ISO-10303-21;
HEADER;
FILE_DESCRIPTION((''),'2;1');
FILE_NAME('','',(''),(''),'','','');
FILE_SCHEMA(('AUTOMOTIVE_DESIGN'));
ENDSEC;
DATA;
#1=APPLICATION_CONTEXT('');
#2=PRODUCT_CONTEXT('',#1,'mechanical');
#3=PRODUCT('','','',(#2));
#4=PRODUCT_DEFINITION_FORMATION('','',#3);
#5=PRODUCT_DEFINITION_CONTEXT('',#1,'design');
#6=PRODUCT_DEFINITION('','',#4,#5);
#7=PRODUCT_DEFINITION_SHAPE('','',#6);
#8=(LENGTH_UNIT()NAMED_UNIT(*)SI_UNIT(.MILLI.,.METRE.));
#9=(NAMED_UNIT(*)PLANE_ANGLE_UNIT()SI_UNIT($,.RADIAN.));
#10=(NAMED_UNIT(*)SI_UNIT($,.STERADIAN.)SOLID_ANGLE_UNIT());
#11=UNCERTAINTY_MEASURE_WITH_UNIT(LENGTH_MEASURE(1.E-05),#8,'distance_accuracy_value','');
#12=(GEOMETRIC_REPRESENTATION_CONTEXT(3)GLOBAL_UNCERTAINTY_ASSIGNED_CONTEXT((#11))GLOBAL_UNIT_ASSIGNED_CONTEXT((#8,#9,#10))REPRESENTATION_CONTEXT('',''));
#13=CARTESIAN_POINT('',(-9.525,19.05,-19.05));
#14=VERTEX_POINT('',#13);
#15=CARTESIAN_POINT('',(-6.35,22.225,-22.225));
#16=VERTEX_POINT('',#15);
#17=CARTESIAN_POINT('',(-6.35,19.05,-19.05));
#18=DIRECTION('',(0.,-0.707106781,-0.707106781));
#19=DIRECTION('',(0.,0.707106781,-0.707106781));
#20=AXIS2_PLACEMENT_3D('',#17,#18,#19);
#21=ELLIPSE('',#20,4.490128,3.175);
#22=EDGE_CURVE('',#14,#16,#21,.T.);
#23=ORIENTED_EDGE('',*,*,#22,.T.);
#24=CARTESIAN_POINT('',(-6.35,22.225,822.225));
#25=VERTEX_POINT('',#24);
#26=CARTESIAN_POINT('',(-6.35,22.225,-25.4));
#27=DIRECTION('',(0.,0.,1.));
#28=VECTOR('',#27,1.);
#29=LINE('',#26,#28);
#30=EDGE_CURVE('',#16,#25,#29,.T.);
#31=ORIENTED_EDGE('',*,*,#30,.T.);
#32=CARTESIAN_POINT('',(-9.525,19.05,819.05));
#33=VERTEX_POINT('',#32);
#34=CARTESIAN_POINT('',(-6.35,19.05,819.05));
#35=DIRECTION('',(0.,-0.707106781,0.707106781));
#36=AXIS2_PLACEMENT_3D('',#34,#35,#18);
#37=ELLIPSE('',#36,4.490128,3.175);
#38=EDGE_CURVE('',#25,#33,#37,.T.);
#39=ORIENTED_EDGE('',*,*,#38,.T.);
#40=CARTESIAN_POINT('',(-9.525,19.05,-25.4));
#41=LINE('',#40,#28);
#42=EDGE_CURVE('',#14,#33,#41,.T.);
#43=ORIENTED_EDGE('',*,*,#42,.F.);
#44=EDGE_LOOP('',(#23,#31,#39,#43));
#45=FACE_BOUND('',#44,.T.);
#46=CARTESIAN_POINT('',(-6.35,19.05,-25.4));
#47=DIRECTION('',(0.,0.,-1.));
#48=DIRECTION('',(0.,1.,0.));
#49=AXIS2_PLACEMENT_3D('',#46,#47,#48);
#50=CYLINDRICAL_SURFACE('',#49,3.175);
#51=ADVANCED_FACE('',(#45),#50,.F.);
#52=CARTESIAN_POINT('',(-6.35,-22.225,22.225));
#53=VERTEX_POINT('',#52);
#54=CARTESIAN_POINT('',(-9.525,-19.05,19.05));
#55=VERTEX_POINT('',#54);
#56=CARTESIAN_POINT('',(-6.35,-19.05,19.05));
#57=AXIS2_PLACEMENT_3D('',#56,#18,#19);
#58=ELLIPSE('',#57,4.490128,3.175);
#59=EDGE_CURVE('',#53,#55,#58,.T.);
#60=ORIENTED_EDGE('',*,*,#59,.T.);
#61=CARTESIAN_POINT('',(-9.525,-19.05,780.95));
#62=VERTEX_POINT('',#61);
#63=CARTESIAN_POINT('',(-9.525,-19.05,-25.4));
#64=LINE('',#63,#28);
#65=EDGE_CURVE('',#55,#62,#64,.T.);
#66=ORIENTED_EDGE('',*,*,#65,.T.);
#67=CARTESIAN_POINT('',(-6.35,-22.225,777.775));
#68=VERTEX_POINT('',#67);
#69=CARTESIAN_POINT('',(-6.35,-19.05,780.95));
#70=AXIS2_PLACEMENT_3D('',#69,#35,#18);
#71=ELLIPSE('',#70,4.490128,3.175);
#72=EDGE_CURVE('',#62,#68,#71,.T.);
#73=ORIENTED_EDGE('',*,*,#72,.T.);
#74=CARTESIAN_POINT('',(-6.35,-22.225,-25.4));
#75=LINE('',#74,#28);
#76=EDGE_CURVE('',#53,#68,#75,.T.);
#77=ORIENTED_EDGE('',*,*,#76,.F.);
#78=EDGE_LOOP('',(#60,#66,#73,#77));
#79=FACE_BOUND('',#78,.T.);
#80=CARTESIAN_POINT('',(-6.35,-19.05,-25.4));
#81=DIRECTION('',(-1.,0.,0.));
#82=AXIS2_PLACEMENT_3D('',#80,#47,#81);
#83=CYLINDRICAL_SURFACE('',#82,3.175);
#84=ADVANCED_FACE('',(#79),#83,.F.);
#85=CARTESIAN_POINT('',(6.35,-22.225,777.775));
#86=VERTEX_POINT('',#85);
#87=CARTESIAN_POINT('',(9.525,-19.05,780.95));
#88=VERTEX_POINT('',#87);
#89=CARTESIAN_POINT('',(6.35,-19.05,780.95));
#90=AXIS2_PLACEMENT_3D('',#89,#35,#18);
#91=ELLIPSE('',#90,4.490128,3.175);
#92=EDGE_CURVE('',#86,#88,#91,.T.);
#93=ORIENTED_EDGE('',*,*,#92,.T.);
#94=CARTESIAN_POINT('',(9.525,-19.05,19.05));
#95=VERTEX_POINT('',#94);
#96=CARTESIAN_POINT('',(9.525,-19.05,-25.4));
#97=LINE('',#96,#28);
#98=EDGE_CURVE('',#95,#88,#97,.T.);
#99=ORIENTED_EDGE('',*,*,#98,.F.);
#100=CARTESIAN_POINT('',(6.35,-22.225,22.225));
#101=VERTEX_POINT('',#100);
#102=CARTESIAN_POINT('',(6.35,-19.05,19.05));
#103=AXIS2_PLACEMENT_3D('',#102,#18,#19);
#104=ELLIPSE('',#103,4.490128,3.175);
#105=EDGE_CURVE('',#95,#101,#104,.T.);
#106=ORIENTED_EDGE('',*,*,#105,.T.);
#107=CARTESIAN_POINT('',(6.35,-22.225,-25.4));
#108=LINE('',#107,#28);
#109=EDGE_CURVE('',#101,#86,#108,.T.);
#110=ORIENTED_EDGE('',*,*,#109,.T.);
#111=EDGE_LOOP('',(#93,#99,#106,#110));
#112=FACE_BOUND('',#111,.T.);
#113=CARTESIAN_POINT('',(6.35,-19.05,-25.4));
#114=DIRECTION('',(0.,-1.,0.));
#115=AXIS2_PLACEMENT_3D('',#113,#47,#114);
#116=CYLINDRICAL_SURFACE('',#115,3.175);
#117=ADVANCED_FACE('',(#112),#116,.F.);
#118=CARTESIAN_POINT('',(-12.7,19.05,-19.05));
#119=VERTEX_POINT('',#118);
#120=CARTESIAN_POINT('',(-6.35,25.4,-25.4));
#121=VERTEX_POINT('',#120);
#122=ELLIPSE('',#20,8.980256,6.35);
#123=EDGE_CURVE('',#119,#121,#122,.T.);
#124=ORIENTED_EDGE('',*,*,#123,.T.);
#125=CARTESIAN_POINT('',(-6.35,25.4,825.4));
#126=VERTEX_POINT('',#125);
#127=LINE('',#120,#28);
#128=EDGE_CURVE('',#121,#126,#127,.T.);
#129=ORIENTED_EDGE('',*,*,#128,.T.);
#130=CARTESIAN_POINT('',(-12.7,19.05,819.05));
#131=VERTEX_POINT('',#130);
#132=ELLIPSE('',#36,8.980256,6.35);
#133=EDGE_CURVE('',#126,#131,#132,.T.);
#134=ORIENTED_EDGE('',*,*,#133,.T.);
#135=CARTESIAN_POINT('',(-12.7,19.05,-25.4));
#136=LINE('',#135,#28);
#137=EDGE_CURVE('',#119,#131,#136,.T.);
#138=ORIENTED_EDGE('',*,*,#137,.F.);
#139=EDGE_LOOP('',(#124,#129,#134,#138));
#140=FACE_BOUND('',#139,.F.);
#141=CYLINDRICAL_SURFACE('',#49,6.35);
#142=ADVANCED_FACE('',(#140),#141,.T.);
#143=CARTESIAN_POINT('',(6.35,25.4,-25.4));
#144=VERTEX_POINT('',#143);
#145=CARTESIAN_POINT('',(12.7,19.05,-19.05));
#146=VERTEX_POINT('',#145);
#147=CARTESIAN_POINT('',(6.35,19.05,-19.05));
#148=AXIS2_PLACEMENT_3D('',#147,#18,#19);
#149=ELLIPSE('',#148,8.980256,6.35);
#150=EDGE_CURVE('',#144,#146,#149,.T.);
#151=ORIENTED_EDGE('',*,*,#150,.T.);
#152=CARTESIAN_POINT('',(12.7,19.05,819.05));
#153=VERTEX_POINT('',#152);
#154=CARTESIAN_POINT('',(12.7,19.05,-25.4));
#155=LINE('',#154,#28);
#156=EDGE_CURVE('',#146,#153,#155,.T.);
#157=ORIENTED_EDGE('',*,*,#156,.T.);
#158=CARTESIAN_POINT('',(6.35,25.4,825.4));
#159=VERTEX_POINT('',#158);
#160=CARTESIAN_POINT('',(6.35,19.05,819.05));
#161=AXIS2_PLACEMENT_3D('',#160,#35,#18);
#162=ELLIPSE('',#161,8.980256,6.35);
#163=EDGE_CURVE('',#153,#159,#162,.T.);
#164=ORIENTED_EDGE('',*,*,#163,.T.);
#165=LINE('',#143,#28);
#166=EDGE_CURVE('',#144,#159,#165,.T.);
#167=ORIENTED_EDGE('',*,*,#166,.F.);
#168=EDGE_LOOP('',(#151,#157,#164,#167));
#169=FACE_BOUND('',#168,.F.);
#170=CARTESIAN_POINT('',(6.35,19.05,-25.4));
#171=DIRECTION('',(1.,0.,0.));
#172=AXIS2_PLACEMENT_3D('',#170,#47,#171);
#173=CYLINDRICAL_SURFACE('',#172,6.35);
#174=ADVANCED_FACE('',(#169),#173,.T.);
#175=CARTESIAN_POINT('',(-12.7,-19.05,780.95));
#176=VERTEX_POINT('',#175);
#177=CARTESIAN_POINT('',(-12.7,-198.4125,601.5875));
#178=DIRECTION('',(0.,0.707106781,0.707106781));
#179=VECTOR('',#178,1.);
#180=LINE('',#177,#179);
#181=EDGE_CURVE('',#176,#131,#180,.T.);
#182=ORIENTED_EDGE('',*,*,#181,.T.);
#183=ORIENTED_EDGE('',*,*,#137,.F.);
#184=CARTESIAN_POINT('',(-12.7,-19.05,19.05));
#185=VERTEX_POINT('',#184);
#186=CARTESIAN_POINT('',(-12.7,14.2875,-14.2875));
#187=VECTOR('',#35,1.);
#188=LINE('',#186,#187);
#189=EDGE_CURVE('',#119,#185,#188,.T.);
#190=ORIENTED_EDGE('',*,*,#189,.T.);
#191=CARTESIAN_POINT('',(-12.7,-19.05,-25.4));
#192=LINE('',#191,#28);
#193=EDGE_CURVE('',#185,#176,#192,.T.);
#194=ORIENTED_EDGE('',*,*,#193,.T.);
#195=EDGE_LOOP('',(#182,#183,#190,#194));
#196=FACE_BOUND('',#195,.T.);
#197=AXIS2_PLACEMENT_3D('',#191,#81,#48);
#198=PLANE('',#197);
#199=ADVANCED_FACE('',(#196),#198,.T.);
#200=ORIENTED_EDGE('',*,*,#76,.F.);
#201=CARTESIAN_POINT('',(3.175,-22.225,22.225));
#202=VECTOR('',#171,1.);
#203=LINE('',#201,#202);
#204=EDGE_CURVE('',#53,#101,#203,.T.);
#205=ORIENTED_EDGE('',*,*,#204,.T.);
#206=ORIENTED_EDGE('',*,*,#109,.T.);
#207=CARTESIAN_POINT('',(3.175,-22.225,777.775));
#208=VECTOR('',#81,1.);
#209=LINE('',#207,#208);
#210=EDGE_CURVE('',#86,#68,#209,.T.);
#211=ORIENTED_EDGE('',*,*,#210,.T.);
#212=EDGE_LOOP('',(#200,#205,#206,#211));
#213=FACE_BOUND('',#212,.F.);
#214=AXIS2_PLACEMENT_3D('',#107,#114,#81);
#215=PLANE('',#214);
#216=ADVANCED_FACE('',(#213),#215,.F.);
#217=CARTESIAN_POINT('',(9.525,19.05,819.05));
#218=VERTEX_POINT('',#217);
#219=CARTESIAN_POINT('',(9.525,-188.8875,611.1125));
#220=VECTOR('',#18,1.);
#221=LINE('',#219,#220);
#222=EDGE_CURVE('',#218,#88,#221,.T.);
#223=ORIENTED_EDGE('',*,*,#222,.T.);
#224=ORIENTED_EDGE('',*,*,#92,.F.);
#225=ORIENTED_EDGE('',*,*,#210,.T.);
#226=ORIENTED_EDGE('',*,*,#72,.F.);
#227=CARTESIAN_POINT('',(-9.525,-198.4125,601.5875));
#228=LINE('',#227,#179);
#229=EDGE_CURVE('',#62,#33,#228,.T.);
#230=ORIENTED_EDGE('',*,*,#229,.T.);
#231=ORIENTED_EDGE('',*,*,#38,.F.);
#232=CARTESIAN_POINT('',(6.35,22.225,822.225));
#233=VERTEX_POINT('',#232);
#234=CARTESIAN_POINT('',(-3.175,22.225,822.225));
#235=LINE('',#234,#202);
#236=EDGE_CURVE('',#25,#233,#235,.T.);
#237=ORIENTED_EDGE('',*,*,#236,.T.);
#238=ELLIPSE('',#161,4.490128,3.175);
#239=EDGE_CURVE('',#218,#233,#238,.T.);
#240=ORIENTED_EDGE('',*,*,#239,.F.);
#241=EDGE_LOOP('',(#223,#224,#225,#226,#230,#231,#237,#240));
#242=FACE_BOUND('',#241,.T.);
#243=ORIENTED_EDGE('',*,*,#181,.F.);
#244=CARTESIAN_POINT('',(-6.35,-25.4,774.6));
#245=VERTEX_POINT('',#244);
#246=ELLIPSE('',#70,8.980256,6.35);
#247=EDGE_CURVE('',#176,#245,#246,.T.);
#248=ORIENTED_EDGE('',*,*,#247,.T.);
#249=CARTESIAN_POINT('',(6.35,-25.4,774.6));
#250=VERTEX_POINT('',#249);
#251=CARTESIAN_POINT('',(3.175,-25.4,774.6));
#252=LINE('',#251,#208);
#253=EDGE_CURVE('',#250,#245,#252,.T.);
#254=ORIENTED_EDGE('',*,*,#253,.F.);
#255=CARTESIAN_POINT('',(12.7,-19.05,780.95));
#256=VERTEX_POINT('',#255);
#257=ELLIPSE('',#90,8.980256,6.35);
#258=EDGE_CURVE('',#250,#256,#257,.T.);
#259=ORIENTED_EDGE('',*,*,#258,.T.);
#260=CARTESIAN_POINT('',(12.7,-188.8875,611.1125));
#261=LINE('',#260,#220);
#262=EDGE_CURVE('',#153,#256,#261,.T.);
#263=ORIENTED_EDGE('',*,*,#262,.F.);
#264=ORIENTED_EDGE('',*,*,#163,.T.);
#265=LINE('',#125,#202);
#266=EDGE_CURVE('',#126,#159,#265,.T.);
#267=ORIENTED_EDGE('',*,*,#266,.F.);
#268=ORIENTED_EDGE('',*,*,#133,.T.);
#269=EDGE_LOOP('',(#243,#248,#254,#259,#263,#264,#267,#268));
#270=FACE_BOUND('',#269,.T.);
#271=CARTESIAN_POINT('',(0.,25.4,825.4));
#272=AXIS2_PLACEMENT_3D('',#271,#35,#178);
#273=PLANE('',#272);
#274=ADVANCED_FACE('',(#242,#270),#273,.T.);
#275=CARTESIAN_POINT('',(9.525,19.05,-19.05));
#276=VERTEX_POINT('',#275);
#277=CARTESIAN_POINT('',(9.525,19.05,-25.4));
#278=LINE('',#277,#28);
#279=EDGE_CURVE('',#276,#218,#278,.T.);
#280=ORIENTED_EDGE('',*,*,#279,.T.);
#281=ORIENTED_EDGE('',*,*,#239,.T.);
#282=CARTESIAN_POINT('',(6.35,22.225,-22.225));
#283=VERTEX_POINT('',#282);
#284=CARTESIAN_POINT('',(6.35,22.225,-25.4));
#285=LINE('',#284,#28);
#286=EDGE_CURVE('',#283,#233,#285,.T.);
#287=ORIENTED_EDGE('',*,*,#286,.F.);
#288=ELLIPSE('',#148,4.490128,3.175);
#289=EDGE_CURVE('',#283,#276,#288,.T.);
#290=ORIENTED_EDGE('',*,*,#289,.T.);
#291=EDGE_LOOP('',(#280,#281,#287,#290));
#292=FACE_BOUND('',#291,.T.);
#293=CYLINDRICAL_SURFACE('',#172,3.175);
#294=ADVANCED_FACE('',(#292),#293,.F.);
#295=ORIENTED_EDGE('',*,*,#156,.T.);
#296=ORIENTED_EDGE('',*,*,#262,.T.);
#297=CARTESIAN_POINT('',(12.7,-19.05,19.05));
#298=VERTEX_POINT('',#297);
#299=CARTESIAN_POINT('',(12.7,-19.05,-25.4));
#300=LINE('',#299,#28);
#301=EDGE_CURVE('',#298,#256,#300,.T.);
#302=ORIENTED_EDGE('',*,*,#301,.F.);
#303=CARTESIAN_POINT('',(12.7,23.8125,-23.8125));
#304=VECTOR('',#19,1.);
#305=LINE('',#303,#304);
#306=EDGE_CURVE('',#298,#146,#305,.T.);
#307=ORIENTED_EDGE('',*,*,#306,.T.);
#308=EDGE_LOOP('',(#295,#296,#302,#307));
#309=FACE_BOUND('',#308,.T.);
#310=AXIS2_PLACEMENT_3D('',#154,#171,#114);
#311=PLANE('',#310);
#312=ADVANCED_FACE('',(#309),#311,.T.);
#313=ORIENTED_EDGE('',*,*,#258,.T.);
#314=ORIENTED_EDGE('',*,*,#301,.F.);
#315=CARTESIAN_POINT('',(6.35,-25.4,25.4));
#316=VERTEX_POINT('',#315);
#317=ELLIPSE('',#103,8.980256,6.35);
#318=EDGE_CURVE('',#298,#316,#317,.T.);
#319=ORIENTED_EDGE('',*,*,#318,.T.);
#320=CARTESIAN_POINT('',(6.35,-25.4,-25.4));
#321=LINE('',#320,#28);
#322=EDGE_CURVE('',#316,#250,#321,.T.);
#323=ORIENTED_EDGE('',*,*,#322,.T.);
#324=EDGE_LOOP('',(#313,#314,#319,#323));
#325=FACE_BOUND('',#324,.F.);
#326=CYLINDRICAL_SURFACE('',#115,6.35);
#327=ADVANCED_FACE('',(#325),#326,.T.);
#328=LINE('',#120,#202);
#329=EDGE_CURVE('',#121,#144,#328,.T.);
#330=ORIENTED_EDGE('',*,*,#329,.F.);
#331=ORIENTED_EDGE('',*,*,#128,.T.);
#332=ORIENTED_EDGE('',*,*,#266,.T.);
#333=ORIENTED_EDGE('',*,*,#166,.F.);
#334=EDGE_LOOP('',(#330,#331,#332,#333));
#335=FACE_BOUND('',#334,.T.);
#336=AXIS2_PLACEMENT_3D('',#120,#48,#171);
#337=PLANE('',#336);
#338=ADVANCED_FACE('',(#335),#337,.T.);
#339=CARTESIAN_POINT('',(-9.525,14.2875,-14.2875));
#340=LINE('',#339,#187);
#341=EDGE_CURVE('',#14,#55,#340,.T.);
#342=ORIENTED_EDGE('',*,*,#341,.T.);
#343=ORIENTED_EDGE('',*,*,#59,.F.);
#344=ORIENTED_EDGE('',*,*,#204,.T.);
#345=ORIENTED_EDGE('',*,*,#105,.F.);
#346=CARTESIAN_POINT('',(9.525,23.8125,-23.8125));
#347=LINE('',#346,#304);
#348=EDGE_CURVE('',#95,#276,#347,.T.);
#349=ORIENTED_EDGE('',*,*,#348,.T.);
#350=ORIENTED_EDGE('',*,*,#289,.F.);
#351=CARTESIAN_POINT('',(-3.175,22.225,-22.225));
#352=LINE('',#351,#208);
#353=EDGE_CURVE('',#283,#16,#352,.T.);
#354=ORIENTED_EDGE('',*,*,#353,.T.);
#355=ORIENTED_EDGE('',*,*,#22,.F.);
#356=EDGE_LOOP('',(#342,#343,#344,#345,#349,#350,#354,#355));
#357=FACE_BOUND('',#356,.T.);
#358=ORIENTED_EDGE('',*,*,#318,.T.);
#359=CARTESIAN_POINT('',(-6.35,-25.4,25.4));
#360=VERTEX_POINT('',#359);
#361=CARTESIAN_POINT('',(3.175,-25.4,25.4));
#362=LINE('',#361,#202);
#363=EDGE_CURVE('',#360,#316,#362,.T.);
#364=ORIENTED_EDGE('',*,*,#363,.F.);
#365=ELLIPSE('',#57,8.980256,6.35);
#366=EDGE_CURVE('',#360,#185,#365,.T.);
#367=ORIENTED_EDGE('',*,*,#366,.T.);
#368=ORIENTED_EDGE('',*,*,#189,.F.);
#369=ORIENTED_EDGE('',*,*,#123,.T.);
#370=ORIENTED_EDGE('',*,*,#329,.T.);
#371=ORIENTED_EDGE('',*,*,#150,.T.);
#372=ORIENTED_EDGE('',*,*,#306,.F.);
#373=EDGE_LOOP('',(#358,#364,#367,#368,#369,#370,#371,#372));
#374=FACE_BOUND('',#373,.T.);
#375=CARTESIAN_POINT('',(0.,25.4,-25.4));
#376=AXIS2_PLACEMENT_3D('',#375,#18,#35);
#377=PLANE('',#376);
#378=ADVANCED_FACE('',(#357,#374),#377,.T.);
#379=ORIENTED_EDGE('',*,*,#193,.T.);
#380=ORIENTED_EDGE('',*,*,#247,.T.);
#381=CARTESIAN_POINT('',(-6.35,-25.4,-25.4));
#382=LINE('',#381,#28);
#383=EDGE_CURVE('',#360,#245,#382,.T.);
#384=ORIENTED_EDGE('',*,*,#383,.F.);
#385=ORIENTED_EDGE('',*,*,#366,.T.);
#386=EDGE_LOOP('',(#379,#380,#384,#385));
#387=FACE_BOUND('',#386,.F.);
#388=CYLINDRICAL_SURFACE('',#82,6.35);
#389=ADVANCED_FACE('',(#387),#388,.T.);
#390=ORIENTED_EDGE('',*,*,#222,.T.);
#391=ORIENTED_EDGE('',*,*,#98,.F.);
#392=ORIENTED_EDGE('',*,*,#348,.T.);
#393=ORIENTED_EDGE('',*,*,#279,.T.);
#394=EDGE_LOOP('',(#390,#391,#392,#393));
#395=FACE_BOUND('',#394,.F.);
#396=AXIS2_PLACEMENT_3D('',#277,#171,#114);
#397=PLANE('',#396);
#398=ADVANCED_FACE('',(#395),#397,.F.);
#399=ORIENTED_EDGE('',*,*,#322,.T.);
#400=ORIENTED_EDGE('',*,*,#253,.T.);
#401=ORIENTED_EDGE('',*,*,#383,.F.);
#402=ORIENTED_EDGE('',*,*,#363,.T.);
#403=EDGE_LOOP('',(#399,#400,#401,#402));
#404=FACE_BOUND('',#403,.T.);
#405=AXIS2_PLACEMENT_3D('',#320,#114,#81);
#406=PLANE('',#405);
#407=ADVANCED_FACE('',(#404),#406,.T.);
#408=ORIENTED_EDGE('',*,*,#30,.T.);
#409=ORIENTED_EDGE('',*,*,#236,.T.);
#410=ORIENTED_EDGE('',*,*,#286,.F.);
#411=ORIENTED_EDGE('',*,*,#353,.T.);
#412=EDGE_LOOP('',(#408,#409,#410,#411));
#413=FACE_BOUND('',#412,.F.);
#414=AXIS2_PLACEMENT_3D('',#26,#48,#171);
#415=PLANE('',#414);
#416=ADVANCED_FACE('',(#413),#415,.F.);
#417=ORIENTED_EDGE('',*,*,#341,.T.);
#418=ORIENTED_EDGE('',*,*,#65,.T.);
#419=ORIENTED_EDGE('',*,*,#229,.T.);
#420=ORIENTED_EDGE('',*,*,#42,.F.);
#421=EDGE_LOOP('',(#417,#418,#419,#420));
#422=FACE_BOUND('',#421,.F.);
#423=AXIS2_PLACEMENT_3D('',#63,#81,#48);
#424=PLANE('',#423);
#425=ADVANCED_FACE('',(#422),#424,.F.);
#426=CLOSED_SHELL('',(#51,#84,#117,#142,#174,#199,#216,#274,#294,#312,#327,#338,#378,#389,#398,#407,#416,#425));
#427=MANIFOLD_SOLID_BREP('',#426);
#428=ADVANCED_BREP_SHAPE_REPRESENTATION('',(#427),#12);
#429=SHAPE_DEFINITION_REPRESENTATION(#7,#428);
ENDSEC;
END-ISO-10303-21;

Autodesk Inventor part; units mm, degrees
ref_plane "Start Plane" through (0, 0, -25.4) normal (0, 0, 1) x (1, 0, 0)
ref_plane "End Plane" through (0, 0, 825.4) normal (0, 0, 1) x (1, 0, 0)
sketch "Sketch" plane through (0, 0, 0) normal (0, 0, 1) x (1, 0, 0)
  line L0 (-12.7, -19.05) -> (-12.7, 19.05)
  line L1 (-6.35, 25.4) -> (6.35, 25.4)
  line L2 (12.7, 19.05) -> (12.7, -19.05)
  line L3 (6.35, -25.4) -> (-6.35, -25.4)
  arc A0 (-12.7, -19.05) -> (-6.35, -25.4) centre (-6.35, -19.05) ccw
  arc A1 (-6.35, 25.4) -> (-12.7, 19.05) centre (-6.35, 19.05) ccw
  arc A2 (12.7, 19.05) -> (6.35, 25.4) centre (6.35, 19.05) ccw
  arc A3 (6.35, -25.4) -> (12.7, -19.05) centre (6.35, -19.05) ccw
  arc A4 (-6.35, 22.225) -> (-9.525, 19.05) centre (-6.35, 19.05) ccw
  line L4 (-6.35, 22.225) -> (6.35, 22.225)
  arc A5 (9.525, 19.05) -> (6.35, 22.225) centre (6.35, 19.05) ccw
  line L5 (9.525, 19.05) -> (9.525, -19.05)
  arc A6 (6.35, -22.225) -> (9.525, -19.05) centre (6.35, -19.05) ccw
  line L6 (6.35, -22.225) -> (-6.35, -22.225)
  arc A7 (-9.525, -19.05) -> (-6.35, -22.225) centre (-6.35, -19.05) ccw
  line L7 (-9.525, -19.05) -> (-9.525, 19.05)
  line L8 (0, 37.4012) -> (0, -37.4012) construction
  line L9 (-19.6212, 0) -> (19.6212, 0) construction
  dimension "d10" = 50.8
  dimension "d11" = 25.4
  dimension "d12" = 3.175
  dimension "d15" = 25.4
  dimension "d16" = 12.7
  dimension "d17" = 6.35
extrude "Body" add sketch "Sketch" along normal up to surface (850.8 mm away) from surface at -25.4
sketch "Sketch3" plane through (0, 0, 0) normal (0, 0, 1) x (1, 0, 0)
  line L0 (0, 0) -> (10, 0)
ref_plane "Work Plane3" through (0, 0, 0) normal (0, -1, 0) x (1, 0, 0)
ref_plane "Work Plane4" through (0, 25.4, 825.4) normal (0, -0.7071, 0.7071) x (1, 0, 0)
split "Split1" plane through (0, 25.4, 825.4) removes the side toward (0, -0.7071, 0.7071)
ref_plane "Work Plane5" through (0, 25.4, -25.4) normal (0, -0.7071, -0.7071) x (1, 0, 0)
split "Split2" plane through (0, 25.4, -25.4) removes the side toward (0, -0.7071, -0.7071)
sketch "Sketch4" plane through (0, 0, 0) normal (0, -1, 0) x (1, 0, 0)
  line L0 (-2, -25.4) -> (12, -25.4) projected
  line L1 (-2, 825.4) -> (12, 825.4) projected
  dimension "d19" = 850.8
equation "\"d10\" = G_H"
equation "\"d11\" = G_W"
equation "\"d12\" = G_T"
equation "\"d15\" = 0.5 * d10"
equation "\"d16\" = 0.5 * d11"
equation "\"d17\" = G_IR"
equation "\"d3\" = G_L"
equation "\"G_W\" = 25.4"
equation "\"G_H\" = 50.8"
equation "\"G_T\" = 3.175"
equation "\"G_IR\" = 6.35"
equation "\"G_L\" = d19"
equation "\"G_OFFSET_START\" = 25.4"
equation "\"G_OFFSET_END\" = 25.4"
equation "\"d13\" = -G_OFFSET_START"
equation "\"d14\" = G_OFFSET_END + B_L"
equation "\"B_L\" = 800"
properties part number "AISC - 2 x 1 x 1/8 - 33.496" material "Steel, Wrought"
